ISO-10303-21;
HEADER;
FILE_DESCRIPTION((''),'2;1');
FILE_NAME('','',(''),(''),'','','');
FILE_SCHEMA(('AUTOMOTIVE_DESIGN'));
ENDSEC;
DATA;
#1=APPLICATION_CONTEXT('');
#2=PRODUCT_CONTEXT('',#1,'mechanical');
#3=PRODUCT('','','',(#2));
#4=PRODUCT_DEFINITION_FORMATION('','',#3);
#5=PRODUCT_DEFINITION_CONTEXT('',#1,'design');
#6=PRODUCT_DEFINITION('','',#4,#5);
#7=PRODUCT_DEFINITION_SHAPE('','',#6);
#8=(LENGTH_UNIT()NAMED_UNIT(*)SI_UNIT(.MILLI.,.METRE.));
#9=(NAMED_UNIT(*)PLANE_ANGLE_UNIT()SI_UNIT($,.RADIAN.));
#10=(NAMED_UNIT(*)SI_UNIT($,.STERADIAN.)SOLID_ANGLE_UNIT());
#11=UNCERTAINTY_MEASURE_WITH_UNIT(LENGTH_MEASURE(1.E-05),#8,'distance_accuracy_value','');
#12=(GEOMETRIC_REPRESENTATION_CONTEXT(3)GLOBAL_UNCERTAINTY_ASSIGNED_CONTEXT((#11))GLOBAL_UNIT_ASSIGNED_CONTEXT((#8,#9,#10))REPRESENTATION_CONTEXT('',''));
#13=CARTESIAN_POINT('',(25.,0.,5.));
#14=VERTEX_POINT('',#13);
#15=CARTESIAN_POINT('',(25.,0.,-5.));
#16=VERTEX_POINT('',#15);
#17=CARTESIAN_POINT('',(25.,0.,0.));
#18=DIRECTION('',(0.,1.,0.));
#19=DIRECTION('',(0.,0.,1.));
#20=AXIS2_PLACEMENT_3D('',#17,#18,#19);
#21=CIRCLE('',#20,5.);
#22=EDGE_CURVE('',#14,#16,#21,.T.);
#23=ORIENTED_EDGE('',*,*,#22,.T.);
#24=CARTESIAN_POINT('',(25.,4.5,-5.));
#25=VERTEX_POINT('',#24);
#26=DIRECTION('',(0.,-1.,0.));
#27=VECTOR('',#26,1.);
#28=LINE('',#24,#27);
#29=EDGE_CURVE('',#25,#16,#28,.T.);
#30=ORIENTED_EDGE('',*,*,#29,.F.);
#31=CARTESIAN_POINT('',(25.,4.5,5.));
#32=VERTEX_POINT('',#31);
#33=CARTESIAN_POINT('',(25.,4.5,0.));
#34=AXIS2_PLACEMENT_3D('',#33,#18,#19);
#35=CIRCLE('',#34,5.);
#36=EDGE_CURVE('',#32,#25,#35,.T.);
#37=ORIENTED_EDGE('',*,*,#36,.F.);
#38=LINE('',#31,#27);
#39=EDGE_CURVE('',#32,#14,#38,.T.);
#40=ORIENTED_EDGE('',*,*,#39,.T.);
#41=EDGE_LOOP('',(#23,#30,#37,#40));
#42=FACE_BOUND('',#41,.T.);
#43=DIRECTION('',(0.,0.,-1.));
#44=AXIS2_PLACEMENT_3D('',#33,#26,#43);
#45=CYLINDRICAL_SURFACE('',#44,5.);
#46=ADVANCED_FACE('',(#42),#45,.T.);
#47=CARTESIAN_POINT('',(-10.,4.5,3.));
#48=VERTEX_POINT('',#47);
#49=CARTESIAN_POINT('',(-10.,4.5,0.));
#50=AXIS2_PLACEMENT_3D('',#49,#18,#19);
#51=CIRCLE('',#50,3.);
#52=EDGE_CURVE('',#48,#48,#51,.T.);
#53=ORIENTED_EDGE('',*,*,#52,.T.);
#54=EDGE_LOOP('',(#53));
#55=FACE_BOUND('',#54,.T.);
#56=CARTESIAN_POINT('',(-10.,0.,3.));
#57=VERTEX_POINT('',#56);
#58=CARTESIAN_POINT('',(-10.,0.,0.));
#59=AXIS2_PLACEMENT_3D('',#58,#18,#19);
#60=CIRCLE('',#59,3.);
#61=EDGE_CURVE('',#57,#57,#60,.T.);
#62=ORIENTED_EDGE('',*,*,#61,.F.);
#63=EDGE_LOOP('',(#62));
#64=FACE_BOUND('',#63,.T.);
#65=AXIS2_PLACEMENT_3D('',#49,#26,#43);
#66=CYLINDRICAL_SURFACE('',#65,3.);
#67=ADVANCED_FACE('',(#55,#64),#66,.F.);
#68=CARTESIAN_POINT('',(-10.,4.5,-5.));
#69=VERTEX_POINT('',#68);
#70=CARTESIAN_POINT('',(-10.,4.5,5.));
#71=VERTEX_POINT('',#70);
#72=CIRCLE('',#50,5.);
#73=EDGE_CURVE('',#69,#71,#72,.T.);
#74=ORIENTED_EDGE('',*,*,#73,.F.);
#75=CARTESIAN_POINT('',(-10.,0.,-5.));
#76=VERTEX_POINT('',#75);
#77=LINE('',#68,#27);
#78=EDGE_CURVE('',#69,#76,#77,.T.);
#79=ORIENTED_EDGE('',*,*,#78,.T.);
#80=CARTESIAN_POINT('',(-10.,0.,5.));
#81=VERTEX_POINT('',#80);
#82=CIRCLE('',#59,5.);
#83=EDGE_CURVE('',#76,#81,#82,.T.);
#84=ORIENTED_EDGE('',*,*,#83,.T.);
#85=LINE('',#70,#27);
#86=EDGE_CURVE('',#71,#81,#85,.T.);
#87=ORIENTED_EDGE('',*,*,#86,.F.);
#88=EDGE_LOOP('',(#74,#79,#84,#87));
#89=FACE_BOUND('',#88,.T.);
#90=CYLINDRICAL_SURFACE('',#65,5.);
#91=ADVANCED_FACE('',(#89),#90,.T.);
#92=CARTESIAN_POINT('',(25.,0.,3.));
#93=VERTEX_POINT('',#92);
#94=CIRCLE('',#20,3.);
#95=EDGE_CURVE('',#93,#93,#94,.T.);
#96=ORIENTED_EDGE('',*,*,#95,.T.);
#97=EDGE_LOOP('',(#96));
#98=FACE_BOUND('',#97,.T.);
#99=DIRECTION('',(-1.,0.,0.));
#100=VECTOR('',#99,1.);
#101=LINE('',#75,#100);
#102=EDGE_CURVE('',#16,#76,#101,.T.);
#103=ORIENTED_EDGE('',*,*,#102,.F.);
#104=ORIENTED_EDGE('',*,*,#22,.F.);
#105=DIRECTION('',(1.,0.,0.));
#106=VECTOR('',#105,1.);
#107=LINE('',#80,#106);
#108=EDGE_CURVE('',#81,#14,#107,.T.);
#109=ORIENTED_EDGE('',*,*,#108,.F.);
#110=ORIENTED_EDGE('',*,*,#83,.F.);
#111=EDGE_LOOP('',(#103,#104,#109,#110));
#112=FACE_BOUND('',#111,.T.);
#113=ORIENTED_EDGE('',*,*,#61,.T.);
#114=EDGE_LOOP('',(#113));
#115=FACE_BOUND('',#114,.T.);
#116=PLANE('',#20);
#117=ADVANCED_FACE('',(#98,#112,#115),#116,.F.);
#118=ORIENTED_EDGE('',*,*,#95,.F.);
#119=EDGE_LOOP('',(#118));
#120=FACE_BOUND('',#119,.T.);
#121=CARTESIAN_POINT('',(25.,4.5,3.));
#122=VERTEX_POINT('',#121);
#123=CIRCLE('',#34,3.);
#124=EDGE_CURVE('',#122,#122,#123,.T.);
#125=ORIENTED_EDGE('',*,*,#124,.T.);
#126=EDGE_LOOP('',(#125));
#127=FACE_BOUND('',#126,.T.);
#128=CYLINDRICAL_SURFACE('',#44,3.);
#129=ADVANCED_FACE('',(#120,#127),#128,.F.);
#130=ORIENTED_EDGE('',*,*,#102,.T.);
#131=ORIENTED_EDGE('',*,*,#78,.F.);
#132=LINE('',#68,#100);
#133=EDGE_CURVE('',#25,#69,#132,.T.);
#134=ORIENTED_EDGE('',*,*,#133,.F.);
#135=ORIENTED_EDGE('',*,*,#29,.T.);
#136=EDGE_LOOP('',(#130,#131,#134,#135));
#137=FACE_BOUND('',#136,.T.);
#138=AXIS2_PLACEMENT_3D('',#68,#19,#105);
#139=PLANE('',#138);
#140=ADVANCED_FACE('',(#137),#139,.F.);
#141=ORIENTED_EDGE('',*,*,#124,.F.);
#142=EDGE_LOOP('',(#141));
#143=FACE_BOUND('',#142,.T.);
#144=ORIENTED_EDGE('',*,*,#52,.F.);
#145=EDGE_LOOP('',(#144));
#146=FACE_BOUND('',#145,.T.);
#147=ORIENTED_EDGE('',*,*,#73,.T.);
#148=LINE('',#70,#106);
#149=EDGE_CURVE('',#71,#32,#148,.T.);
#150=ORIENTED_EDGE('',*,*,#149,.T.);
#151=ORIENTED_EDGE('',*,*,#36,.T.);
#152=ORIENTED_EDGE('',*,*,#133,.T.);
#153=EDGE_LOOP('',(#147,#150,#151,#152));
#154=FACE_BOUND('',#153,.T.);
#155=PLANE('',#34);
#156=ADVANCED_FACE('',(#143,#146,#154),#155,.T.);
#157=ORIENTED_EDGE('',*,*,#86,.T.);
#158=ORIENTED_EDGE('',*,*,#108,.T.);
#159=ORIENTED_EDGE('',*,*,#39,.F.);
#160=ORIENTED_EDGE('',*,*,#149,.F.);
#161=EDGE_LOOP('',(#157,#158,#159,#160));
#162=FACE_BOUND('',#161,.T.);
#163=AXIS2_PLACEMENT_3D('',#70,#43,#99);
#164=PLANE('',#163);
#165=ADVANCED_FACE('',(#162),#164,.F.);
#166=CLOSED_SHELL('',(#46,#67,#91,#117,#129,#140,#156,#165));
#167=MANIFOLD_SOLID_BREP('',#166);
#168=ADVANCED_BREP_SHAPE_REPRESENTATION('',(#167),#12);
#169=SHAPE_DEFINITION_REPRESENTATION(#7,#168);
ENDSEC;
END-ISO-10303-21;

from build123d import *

# Parameters (mm, degrees)
SKETCH_1_R      = 3
EXTRUDE_1_DEPTH = 4.5


with BuildPart() as part:
    # 草图1 → 凸台-拉伸1 (new body)
    with BuildSketch(Plane(origin=(0, 0, 0), x_dir=(1, 0, 0), z_dir=(0, 1, 0))):
        with BuildLine():
            Line((-10, 5), (25, 5))
            ThreePointArc((25, 5), (30, 0), (25, -5))
            Line((25, -5), (-10, -5))
            ThreePointArc((-10, -5), (-15, 0), (-10, 5))
        make_face()
        with Locations(Location((-10, 0, 0), (0, 0, 270))):
            Circle(SKETCH_1_R, mode=Mode.SUBTRACT)
        with Locations(Location((25, 0, 0), (0, 0, 270))):
            Circle(SKETCH_1_R, mode=Mode.SUBTRACT)
    extrude(amount=EXTRUDE_1_DEPTH)


solid = part.part
